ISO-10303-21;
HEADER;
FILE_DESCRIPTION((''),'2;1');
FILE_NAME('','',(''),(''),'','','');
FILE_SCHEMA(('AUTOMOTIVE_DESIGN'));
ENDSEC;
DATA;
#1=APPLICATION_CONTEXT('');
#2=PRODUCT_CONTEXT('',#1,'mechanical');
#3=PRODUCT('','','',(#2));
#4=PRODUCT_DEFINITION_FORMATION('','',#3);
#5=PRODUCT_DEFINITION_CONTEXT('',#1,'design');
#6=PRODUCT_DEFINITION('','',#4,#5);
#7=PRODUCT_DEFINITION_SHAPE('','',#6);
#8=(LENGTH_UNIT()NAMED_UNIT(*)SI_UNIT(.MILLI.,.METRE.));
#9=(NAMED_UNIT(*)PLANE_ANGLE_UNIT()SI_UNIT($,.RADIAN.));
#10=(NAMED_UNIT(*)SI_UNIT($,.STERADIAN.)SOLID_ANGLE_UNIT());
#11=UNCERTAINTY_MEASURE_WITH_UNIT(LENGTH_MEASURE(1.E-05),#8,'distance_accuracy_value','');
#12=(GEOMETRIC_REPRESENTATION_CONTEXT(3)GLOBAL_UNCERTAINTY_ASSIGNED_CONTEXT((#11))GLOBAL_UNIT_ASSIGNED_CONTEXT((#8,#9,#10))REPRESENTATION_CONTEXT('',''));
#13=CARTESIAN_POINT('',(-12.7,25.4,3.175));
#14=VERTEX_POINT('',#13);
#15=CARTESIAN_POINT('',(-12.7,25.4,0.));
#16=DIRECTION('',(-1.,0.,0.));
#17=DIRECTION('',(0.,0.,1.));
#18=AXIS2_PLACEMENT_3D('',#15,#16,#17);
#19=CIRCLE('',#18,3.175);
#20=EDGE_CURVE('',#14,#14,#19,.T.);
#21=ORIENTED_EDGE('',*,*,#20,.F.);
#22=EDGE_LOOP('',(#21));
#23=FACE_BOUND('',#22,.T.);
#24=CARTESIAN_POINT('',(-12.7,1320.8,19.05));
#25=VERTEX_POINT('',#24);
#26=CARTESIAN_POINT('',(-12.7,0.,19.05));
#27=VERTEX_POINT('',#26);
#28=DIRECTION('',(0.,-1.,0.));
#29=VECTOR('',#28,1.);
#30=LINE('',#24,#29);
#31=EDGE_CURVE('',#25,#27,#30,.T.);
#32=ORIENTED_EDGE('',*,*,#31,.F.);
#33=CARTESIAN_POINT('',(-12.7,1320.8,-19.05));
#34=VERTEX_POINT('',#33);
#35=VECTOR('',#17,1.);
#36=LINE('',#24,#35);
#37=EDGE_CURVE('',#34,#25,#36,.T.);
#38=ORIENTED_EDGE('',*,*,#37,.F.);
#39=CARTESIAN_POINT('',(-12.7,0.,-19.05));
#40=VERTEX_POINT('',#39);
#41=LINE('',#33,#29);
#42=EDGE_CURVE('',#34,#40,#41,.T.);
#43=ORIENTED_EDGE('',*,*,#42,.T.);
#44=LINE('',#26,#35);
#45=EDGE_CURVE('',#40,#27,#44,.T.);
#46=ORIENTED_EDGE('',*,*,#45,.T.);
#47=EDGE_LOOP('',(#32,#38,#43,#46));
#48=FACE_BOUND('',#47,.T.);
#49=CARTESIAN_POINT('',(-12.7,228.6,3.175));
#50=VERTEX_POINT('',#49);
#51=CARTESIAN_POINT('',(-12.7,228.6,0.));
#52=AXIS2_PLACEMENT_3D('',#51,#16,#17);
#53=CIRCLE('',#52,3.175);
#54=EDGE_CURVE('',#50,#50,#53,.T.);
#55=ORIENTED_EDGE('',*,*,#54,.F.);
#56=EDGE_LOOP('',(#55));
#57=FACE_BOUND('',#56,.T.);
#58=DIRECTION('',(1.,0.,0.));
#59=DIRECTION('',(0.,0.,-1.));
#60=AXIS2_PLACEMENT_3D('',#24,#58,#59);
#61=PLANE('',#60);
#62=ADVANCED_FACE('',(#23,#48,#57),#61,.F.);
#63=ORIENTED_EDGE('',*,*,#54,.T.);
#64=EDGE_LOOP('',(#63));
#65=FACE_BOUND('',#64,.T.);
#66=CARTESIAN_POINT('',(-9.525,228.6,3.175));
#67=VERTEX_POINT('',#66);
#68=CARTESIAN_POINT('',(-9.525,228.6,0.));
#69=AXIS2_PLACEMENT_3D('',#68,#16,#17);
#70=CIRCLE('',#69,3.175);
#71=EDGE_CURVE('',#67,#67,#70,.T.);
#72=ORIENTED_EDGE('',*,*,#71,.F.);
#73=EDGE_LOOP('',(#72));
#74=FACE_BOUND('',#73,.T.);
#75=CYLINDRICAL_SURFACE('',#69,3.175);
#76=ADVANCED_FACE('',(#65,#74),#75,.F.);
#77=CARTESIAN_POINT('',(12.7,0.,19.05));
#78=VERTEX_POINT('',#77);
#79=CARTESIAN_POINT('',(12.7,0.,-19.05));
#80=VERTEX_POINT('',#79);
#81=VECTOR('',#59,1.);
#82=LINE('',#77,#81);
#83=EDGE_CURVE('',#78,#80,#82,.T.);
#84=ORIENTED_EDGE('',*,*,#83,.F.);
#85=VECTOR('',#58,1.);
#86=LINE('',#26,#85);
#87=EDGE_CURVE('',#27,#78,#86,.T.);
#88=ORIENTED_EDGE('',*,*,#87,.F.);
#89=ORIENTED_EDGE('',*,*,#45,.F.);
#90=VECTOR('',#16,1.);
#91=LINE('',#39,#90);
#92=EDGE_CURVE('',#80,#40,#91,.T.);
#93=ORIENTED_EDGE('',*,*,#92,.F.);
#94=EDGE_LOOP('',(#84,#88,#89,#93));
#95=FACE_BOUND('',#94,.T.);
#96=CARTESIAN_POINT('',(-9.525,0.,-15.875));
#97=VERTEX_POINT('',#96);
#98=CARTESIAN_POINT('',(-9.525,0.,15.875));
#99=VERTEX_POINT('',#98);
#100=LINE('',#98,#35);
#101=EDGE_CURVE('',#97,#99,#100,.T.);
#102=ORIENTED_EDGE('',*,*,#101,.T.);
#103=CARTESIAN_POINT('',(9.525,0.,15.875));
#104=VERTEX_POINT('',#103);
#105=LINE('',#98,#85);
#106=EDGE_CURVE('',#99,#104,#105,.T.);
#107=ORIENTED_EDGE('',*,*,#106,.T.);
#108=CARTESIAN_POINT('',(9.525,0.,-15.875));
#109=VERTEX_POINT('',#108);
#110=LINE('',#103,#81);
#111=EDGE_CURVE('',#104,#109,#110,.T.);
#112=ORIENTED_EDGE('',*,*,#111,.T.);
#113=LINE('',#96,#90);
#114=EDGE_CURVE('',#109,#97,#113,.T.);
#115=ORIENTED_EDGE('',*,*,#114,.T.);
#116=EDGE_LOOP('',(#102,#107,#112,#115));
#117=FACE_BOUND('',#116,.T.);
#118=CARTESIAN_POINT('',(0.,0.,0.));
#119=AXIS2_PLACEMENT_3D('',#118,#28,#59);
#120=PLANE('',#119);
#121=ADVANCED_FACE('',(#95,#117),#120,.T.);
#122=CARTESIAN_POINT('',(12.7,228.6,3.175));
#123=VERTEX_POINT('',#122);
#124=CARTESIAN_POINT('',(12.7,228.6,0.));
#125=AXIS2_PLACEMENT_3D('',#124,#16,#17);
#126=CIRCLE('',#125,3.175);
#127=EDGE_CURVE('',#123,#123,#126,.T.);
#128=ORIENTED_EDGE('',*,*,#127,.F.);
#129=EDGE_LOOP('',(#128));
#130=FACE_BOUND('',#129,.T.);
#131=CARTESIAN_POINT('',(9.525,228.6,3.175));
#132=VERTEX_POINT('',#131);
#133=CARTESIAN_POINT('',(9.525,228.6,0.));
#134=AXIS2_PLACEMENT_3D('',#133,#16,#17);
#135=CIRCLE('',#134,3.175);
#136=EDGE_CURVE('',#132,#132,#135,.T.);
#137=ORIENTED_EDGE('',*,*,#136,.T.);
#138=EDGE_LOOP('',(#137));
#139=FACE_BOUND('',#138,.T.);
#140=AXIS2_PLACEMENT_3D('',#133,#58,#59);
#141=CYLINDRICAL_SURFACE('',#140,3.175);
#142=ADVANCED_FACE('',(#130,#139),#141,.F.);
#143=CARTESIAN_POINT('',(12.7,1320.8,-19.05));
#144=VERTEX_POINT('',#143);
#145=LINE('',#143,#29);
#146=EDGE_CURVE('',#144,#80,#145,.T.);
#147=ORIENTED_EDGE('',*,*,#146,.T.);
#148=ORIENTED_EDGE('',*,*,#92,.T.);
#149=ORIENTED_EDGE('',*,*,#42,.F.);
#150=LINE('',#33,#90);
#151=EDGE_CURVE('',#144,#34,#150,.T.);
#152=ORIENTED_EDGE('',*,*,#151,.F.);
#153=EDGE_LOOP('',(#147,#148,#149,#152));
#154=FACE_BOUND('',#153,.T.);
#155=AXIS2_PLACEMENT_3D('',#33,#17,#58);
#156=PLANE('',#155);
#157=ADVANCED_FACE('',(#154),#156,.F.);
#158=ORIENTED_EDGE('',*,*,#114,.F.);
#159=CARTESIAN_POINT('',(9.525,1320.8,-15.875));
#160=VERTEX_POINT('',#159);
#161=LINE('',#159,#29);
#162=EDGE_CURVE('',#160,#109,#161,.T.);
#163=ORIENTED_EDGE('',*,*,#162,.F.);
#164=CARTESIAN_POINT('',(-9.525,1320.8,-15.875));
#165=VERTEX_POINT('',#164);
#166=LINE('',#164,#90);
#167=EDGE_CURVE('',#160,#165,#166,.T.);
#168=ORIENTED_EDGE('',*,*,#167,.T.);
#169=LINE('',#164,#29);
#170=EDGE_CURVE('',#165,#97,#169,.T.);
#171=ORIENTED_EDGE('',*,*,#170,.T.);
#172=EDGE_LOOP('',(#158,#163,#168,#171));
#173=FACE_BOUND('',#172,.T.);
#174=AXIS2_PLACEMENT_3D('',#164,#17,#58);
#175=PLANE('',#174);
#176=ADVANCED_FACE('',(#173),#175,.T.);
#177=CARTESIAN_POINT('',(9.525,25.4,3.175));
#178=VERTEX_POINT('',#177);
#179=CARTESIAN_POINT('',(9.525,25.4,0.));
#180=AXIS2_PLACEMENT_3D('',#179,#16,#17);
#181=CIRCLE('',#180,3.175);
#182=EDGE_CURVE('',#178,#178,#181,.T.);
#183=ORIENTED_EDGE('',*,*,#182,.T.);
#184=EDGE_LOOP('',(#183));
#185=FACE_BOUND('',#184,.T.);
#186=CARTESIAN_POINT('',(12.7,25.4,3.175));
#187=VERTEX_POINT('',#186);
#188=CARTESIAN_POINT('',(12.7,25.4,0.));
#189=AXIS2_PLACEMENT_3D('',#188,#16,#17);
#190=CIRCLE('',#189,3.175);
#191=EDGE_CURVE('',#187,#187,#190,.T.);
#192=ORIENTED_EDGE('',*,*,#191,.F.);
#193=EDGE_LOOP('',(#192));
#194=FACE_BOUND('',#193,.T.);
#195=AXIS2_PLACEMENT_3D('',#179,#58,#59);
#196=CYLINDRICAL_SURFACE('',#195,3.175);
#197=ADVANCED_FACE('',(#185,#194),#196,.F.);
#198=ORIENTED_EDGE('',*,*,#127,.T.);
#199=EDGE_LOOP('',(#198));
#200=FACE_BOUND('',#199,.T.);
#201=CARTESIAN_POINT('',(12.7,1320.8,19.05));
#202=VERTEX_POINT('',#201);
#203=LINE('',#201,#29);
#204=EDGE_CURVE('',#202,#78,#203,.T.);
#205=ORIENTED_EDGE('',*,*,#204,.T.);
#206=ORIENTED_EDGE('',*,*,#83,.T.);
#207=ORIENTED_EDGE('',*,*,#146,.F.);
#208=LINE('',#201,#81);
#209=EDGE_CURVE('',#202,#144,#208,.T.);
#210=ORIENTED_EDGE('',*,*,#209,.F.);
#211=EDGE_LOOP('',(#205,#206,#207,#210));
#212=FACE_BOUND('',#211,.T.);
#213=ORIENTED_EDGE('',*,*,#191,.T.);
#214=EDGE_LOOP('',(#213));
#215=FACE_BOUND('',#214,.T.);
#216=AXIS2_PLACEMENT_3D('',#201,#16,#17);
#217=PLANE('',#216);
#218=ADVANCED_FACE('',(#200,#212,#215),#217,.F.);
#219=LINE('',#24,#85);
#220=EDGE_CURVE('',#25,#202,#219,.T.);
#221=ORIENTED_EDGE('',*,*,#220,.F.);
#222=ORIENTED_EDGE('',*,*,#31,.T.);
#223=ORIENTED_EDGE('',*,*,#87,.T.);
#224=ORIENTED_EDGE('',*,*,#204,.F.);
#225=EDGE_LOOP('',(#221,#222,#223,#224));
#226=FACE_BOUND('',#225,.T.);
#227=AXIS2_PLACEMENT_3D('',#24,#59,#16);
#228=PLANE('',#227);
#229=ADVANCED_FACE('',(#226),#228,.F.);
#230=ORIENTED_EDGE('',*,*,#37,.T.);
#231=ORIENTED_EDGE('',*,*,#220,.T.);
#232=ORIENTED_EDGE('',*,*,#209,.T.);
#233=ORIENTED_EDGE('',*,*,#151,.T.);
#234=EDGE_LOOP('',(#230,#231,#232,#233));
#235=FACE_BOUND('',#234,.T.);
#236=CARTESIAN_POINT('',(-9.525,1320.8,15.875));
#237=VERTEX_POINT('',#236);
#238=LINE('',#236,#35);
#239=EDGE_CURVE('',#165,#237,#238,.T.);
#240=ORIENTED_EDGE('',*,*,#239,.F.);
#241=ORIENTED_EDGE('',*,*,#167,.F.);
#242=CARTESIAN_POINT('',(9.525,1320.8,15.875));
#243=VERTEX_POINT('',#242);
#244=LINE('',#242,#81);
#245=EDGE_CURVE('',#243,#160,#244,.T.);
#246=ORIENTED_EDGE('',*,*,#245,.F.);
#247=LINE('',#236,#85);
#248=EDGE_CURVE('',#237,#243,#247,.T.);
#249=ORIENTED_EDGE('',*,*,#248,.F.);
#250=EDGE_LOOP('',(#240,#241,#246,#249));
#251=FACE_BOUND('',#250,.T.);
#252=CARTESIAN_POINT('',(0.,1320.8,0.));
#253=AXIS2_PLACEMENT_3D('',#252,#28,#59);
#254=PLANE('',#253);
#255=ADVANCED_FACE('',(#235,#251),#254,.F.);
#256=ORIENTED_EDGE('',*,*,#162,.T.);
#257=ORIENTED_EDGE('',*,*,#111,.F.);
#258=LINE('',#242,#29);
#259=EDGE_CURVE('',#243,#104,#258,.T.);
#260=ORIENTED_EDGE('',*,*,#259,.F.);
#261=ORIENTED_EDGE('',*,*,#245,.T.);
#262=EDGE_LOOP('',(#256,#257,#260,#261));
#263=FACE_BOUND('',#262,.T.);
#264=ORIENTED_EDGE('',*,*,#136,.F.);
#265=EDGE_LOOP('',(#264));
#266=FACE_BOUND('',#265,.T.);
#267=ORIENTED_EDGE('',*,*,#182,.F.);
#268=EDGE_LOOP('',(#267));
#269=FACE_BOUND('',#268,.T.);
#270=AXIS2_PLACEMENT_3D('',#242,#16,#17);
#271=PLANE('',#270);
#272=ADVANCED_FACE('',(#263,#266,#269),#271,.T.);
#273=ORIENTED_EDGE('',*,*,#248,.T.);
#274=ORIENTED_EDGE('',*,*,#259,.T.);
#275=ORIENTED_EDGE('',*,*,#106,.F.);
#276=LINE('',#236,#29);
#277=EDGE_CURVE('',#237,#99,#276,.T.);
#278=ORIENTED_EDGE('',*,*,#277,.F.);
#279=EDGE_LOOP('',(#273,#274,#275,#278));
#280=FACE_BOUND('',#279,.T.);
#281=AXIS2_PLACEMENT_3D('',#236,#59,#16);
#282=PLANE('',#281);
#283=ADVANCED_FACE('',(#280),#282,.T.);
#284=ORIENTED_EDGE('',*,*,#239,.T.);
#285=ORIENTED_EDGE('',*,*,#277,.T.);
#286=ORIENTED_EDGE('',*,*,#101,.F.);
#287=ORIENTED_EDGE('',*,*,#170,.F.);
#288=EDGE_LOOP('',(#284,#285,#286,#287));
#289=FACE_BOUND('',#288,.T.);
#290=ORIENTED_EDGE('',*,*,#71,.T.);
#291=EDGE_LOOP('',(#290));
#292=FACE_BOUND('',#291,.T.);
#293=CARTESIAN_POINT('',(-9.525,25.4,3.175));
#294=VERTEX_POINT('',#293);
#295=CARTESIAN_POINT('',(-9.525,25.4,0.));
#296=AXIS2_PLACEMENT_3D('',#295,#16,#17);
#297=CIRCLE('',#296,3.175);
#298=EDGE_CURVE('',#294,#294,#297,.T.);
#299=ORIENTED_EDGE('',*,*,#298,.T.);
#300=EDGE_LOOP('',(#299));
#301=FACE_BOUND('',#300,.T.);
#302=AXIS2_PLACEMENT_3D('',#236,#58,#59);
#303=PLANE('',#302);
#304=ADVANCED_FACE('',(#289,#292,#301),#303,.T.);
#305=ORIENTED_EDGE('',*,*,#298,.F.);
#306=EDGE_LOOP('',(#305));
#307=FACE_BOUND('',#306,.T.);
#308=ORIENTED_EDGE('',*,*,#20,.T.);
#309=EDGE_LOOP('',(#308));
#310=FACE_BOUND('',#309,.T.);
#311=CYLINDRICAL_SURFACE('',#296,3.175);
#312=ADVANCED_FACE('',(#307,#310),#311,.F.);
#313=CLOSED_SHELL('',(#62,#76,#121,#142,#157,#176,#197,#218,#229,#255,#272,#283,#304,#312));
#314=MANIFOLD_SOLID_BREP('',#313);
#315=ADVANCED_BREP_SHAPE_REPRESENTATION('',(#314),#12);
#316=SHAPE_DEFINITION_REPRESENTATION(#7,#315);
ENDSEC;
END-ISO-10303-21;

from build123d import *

# Parameters (mm, degrees)
SKETCH1_W           = 25.4
SKETCH1_H           = 38.1
SKETCH1_W_2         = 19.05
SKETCH1_H_2         = 31.75
BOSS_EXTRUDE1_DEPTH = 1320.8
SKETCH2_R           = 3.175
CUT_EXTRUDE1_DEPTH  = 3.175


with BuildPart() as part:
    # Sketch1 → Boss-Extrude1 (new body)
    with BuildSketch(Plane(origin=(0, 0, 0), x_dir=(1, 0, 0), z_dir=(0, 1, 0))):
        Rectangle(SKETCH1_W, SKETCH1_H)
        Rectangle(SKETCH1_W_2, SKETCH1_H_2, mode=Mode.SUBTRACT)
    extrude(amount=BOSS_EXTRUDE1_DEPTH)

    # Sketch2 → Cut-Extrude1 (cut)
    with BuildSketch(Plane.ZY.offset(12.7)):
        with Locations((0, 25.4)):
            Circle(SKETCH2_R)
        with Locations((0, 228.6)):
            Circle(SKETCH2_R)
    cut_extrude1 = extrude(amount=-CUT_EXTRUDE1_DEPTH, mode=Mode.SUBTRACT)

    # Mirror1: Cut-Extrude1 across plane
    add(cut_extrude1.mirror(Plane(origin=(0, 0, 0), x_dir=(0, 0, 1), z_dir=(1, 0, 0))), mode=Mode.SUBTRACT)


solid = part.part
